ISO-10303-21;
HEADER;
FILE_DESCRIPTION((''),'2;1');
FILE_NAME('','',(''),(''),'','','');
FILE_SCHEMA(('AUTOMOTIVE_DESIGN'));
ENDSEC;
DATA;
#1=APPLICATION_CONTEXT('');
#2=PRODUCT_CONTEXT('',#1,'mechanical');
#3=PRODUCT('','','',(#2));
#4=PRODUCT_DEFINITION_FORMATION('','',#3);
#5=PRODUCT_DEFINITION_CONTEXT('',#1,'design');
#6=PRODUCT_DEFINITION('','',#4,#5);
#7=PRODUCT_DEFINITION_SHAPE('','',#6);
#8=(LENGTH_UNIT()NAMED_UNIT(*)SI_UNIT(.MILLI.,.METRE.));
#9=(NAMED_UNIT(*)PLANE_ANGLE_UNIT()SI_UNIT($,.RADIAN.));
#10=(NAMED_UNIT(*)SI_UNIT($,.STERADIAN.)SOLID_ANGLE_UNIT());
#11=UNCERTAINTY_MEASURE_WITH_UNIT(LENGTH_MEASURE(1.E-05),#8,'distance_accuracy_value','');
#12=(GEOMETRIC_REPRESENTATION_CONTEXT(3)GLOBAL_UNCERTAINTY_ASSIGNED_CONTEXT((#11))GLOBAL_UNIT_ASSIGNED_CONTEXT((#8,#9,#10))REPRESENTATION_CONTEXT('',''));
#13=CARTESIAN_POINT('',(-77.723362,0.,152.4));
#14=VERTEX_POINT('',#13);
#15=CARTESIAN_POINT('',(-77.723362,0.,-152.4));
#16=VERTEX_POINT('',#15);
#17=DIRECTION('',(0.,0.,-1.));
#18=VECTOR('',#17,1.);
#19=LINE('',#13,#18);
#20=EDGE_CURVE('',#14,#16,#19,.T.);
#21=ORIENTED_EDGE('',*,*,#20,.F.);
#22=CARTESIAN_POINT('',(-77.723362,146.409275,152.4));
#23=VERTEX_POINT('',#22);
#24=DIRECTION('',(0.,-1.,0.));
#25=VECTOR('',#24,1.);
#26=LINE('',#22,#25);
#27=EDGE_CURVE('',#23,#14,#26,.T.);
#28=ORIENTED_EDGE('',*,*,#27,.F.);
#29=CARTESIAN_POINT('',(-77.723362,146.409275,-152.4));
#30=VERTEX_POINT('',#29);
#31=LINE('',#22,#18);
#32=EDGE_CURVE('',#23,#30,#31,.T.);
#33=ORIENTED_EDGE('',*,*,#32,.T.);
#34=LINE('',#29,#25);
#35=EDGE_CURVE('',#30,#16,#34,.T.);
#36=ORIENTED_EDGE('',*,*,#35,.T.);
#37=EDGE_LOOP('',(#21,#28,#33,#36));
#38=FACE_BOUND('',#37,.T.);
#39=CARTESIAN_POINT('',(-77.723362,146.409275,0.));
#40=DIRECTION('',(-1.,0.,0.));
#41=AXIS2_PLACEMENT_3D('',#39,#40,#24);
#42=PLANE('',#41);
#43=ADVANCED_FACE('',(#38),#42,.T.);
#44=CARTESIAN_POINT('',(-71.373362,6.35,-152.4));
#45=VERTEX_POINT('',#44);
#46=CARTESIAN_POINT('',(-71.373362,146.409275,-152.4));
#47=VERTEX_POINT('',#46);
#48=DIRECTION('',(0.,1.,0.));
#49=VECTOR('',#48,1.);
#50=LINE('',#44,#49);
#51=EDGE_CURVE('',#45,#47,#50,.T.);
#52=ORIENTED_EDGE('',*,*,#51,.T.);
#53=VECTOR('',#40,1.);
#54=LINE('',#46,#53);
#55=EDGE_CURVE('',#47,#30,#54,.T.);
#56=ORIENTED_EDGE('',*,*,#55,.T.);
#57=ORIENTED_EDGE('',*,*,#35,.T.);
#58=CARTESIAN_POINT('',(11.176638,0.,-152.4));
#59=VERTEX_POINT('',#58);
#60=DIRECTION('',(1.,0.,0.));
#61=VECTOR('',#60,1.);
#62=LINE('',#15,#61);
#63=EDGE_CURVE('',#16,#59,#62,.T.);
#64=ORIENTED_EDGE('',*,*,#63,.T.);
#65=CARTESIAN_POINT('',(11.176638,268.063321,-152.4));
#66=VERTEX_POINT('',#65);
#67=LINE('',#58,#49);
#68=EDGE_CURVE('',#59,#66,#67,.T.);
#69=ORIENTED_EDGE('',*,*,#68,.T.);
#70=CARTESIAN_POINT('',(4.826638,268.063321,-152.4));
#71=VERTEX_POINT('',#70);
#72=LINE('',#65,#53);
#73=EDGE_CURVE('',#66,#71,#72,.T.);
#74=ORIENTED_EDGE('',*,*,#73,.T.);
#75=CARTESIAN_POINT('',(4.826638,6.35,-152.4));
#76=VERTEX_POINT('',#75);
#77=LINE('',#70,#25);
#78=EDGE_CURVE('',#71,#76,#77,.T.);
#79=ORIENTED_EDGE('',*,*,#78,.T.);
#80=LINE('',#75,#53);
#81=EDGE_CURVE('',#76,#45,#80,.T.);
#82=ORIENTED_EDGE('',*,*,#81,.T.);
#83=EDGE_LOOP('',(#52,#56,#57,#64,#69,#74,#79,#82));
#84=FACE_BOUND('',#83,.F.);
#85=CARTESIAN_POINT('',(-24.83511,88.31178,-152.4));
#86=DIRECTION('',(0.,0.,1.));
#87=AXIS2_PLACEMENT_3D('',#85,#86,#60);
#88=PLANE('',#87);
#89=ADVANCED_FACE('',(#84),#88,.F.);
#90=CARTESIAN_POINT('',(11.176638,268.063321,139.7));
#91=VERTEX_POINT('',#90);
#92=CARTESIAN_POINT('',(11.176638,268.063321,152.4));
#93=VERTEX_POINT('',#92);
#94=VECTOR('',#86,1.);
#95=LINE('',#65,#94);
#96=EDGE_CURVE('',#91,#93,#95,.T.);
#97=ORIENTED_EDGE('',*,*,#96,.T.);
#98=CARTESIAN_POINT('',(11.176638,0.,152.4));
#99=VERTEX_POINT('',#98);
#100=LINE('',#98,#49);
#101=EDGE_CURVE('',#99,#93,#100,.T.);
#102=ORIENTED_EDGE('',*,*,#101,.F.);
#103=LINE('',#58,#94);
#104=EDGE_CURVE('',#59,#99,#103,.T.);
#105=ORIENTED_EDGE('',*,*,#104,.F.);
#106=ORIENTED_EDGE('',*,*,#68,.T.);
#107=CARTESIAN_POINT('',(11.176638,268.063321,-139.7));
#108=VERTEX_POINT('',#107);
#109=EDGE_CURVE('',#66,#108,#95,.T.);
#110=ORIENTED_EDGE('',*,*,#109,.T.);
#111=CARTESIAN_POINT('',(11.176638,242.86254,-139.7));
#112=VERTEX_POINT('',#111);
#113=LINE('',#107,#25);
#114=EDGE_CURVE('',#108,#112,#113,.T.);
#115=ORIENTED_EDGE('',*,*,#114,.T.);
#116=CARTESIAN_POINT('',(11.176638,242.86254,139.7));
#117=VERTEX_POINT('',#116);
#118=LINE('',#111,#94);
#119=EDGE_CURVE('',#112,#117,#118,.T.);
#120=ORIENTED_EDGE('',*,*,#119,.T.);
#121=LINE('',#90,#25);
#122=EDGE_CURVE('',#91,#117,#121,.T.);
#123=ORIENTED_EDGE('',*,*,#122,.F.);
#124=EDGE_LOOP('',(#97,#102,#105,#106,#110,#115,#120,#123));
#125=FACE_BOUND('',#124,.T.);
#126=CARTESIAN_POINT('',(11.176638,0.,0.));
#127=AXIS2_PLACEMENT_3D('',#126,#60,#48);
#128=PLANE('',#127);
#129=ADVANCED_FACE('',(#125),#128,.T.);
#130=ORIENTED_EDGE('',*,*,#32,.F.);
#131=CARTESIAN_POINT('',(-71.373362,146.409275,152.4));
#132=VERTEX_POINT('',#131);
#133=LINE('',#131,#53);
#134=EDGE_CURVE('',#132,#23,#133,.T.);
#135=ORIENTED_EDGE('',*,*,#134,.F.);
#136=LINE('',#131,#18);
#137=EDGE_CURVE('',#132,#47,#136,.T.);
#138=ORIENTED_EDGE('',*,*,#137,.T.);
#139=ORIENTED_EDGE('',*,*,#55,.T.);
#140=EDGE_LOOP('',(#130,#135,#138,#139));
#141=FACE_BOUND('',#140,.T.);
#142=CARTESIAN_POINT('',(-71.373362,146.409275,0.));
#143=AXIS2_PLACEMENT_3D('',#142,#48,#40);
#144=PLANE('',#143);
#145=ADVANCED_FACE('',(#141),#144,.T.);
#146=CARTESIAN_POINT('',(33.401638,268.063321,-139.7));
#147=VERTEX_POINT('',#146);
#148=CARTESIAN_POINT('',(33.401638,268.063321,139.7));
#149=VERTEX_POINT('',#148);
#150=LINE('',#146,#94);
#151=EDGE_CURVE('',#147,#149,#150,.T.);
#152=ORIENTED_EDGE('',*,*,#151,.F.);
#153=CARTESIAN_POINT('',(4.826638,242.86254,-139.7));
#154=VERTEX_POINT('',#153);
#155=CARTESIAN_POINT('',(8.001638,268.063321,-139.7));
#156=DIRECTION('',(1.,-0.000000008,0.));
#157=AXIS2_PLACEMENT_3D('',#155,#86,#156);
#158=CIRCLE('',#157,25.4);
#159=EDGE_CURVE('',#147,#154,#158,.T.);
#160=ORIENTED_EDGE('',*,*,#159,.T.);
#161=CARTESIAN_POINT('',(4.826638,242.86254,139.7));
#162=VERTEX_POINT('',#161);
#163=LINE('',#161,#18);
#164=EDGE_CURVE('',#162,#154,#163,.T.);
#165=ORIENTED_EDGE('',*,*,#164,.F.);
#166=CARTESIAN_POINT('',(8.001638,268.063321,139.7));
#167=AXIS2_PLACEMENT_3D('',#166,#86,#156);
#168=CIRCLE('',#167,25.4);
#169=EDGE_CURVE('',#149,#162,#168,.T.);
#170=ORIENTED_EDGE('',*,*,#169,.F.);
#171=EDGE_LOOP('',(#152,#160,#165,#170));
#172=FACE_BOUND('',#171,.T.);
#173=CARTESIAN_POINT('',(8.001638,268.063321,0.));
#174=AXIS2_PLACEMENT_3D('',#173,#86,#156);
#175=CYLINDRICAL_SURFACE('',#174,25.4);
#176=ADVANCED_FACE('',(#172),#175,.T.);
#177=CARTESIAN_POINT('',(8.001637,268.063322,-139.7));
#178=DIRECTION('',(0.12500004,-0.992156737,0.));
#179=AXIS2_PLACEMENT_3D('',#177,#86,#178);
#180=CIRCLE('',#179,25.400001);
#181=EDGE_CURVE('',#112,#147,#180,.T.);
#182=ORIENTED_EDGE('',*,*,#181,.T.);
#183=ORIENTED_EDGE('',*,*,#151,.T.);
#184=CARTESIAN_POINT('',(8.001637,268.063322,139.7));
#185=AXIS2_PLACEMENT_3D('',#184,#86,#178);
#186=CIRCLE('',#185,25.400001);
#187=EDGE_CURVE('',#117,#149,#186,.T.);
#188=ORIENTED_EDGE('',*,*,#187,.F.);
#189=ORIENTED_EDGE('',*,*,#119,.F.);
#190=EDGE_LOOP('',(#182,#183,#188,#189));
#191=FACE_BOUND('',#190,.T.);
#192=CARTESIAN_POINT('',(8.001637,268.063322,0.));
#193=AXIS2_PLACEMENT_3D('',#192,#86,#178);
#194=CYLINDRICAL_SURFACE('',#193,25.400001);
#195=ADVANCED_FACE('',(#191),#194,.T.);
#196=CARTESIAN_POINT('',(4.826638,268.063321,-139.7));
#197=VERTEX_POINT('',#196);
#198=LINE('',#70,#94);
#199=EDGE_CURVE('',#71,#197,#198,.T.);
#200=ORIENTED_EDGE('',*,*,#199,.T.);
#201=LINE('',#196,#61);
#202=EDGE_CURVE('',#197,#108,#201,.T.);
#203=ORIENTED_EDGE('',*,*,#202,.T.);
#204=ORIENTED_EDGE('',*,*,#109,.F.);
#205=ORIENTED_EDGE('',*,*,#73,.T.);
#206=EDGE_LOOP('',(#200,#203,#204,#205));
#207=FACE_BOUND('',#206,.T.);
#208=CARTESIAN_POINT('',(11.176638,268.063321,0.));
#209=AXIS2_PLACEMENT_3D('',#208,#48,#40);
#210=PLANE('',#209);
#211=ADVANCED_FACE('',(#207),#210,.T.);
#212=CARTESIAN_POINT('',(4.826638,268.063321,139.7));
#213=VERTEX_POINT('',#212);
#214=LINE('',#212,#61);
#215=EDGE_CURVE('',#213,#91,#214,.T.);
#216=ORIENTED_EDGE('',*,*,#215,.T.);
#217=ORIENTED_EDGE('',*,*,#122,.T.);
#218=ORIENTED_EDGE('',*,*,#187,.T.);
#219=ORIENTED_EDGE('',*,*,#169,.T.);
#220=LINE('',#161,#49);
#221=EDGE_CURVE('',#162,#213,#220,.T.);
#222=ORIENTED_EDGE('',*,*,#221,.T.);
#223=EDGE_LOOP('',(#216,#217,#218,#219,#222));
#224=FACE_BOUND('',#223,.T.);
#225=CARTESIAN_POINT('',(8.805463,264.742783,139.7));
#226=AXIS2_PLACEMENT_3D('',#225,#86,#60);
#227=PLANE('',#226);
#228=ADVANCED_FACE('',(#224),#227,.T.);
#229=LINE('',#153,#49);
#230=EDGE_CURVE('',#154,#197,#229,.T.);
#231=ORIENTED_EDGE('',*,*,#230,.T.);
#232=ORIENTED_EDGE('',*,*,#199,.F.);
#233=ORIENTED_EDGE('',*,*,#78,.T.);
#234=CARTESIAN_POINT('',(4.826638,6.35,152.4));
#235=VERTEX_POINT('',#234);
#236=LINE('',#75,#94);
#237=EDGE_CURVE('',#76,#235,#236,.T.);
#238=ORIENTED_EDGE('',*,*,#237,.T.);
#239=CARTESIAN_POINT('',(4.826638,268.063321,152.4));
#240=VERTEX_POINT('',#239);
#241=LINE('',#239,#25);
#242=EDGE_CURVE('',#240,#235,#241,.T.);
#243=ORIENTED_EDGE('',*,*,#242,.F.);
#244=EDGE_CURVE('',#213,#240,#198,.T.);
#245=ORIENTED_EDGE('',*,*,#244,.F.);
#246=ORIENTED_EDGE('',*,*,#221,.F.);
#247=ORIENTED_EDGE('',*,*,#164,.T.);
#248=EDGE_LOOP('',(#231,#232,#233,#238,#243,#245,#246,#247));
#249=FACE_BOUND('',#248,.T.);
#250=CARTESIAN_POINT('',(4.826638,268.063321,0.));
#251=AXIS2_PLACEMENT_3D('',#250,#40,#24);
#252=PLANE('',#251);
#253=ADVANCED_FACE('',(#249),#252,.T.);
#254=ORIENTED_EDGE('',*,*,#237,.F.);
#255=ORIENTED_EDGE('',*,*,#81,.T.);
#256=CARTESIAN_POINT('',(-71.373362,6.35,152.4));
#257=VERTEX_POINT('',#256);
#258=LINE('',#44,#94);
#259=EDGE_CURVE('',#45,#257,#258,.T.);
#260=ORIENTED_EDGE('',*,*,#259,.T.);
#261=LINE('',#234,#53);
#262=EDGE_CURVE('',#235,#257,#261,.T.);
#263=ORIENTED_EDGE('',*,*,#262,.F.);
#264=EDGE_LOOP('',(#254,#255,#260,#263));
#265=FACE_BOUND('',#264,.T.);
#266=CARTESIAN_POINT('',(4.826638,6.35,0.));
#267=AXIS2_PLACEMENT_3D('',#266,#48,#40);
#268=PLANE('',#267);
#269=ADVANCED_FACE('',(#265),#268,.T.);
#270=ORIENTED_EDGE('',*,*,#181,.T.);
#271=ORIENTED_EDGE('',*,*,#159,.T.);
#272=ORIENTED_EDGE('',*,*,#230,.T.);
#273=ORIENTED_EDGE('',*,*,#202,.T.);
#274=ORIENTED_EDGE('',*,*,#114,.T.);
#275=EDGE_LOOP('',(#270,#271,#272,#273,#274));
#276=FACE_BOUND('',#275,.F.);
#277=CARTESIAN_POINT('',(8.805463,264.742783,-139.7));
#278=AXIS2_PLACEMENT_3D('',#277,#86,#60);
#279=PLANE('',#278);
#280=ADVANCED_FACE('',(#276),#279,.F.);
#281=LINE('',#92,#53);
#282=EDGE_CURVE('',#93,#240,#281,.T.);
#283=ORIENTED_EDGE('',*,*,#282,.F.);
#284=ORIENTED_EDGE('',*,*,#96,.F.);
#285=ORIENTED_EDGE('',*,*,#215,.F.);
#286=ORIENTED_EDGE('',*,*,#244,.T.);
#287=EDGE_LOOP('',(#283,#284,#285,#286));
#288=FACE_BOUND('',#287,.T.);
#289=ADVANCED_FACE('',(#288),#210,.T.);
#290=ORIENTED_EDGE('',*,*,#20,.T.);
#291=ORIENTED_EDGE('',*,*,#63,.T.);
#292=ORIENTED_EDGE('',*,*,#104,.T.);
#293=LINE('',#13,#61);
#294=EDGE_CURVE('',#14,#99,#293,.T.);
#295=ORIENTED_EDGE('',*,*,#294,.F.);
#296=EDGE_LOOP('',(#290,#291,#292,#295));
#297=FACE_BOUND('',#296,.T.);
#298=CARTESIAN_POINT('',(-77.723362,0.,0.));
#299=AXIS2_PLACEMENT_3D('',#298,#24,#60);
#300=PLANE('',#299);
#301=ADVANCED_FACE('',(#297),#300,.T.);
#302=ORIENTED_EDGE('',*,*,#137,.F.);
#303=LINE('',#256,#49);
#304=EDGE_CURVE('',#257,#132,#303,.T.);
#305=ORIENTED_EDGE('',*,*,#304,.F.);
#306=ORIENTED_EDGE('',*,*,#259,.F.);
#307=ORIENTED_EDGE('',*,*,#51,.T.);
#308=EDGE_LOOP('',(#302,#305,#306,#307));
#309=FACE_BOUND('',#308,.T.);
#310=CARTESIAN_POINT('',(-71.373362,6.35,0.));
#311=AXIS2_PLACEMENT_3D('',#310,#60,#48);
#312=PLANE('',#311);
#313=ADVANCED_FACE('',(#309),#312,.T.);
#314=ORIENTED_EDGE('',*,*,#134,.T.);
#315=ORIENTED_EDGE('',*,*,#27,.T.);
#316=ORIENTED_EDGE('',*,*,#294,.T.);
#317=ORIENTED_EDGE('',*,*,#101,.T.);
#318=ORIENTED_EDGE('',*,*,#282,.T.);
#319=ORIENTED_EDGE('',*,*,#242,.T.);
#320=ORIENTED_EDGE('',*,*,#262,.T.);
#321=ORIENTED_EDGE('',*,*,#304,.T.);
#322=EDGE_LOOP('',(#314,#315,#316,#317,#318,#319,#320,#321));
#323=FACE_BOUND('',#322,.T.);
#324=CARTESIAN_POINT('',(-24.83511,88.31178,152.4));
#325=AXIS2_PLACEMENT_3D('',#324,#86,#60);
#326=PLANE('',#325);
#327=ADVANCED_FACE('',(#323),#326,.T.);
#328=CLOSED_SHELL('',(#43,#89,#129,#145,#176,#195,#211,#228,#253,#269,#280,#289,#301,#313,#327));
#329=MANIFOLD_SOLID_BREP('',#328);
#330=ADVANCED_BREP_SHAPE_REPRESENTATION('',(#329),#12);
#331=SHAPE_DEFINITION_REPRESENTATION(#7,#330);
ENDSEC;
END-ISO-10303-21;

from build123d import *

# Parameters (mm, degrees)
F1_DEPTH = 152.4
F2_DEPTH = 139.7


with BuildPart() as f1:
    # F0 (on Top) → F1 (new body, symmetric)
    with BuildSketch(Plane.XY):
        with BuildLine():
            Line((-77.723362, 0), (11.176638, 0))
            Line((11.176638, 0), (11.176638, 242.86254))
            ThreePointArc((11.176638, 242.86254), (8.001638, 242.663321), (4.826638, 242.86254))
            Line((4.826638, 242.86254), (4.826638, 6.35))
            Line((4.826638, 6.35), (-71.373362, 6.35))
            Line((-71.373362, 6.35), (-71.373362, 146.409275))
            Line((-71.373362, 146.409275), (-77.723362, 146.409275))
            Line((-77.723362, 146.409275), (-77.723362, 0))
        make_face()
        with BuildLine():
            ThreePointArc((4.826638, 242.86254), (8.001638, 242.663321), (11.176638, 242.86254))
            Line((11.176638, 242.86254), (11.176638, 268.063321))
            Line((11.176638, 268.063321), (4.826638, 268.063321))
            Line((4.826638, 268.063321), (4.826638, 242.86254))
        make_face()
    extrude(amount=F1_DEPTH, both=True)

    # F0 (on Top) → F2 (join, symmetric)
    with BuildSketch(Plane.XY):
        with BuildLine():
            Line((11.176638, 268.063321), (11.176638, 242.86254))
            ThreePointArc((11.176638, 242.86254), (27.051638, 251.262801), (33.401638, 268.063321))
            ThreePointArc((33.401638, 268.063321), (-8.798883, 287.113321), (4.826638, 242.86254))
            Line((4.826638, 242.86254), (4.826638, 268.063321))
            Line((4.826638, 268.063321), (11.176638, 268.063321))
        make_face()
    extrude(amount=F2_DEPTH, both=True)


solid = f1.part
